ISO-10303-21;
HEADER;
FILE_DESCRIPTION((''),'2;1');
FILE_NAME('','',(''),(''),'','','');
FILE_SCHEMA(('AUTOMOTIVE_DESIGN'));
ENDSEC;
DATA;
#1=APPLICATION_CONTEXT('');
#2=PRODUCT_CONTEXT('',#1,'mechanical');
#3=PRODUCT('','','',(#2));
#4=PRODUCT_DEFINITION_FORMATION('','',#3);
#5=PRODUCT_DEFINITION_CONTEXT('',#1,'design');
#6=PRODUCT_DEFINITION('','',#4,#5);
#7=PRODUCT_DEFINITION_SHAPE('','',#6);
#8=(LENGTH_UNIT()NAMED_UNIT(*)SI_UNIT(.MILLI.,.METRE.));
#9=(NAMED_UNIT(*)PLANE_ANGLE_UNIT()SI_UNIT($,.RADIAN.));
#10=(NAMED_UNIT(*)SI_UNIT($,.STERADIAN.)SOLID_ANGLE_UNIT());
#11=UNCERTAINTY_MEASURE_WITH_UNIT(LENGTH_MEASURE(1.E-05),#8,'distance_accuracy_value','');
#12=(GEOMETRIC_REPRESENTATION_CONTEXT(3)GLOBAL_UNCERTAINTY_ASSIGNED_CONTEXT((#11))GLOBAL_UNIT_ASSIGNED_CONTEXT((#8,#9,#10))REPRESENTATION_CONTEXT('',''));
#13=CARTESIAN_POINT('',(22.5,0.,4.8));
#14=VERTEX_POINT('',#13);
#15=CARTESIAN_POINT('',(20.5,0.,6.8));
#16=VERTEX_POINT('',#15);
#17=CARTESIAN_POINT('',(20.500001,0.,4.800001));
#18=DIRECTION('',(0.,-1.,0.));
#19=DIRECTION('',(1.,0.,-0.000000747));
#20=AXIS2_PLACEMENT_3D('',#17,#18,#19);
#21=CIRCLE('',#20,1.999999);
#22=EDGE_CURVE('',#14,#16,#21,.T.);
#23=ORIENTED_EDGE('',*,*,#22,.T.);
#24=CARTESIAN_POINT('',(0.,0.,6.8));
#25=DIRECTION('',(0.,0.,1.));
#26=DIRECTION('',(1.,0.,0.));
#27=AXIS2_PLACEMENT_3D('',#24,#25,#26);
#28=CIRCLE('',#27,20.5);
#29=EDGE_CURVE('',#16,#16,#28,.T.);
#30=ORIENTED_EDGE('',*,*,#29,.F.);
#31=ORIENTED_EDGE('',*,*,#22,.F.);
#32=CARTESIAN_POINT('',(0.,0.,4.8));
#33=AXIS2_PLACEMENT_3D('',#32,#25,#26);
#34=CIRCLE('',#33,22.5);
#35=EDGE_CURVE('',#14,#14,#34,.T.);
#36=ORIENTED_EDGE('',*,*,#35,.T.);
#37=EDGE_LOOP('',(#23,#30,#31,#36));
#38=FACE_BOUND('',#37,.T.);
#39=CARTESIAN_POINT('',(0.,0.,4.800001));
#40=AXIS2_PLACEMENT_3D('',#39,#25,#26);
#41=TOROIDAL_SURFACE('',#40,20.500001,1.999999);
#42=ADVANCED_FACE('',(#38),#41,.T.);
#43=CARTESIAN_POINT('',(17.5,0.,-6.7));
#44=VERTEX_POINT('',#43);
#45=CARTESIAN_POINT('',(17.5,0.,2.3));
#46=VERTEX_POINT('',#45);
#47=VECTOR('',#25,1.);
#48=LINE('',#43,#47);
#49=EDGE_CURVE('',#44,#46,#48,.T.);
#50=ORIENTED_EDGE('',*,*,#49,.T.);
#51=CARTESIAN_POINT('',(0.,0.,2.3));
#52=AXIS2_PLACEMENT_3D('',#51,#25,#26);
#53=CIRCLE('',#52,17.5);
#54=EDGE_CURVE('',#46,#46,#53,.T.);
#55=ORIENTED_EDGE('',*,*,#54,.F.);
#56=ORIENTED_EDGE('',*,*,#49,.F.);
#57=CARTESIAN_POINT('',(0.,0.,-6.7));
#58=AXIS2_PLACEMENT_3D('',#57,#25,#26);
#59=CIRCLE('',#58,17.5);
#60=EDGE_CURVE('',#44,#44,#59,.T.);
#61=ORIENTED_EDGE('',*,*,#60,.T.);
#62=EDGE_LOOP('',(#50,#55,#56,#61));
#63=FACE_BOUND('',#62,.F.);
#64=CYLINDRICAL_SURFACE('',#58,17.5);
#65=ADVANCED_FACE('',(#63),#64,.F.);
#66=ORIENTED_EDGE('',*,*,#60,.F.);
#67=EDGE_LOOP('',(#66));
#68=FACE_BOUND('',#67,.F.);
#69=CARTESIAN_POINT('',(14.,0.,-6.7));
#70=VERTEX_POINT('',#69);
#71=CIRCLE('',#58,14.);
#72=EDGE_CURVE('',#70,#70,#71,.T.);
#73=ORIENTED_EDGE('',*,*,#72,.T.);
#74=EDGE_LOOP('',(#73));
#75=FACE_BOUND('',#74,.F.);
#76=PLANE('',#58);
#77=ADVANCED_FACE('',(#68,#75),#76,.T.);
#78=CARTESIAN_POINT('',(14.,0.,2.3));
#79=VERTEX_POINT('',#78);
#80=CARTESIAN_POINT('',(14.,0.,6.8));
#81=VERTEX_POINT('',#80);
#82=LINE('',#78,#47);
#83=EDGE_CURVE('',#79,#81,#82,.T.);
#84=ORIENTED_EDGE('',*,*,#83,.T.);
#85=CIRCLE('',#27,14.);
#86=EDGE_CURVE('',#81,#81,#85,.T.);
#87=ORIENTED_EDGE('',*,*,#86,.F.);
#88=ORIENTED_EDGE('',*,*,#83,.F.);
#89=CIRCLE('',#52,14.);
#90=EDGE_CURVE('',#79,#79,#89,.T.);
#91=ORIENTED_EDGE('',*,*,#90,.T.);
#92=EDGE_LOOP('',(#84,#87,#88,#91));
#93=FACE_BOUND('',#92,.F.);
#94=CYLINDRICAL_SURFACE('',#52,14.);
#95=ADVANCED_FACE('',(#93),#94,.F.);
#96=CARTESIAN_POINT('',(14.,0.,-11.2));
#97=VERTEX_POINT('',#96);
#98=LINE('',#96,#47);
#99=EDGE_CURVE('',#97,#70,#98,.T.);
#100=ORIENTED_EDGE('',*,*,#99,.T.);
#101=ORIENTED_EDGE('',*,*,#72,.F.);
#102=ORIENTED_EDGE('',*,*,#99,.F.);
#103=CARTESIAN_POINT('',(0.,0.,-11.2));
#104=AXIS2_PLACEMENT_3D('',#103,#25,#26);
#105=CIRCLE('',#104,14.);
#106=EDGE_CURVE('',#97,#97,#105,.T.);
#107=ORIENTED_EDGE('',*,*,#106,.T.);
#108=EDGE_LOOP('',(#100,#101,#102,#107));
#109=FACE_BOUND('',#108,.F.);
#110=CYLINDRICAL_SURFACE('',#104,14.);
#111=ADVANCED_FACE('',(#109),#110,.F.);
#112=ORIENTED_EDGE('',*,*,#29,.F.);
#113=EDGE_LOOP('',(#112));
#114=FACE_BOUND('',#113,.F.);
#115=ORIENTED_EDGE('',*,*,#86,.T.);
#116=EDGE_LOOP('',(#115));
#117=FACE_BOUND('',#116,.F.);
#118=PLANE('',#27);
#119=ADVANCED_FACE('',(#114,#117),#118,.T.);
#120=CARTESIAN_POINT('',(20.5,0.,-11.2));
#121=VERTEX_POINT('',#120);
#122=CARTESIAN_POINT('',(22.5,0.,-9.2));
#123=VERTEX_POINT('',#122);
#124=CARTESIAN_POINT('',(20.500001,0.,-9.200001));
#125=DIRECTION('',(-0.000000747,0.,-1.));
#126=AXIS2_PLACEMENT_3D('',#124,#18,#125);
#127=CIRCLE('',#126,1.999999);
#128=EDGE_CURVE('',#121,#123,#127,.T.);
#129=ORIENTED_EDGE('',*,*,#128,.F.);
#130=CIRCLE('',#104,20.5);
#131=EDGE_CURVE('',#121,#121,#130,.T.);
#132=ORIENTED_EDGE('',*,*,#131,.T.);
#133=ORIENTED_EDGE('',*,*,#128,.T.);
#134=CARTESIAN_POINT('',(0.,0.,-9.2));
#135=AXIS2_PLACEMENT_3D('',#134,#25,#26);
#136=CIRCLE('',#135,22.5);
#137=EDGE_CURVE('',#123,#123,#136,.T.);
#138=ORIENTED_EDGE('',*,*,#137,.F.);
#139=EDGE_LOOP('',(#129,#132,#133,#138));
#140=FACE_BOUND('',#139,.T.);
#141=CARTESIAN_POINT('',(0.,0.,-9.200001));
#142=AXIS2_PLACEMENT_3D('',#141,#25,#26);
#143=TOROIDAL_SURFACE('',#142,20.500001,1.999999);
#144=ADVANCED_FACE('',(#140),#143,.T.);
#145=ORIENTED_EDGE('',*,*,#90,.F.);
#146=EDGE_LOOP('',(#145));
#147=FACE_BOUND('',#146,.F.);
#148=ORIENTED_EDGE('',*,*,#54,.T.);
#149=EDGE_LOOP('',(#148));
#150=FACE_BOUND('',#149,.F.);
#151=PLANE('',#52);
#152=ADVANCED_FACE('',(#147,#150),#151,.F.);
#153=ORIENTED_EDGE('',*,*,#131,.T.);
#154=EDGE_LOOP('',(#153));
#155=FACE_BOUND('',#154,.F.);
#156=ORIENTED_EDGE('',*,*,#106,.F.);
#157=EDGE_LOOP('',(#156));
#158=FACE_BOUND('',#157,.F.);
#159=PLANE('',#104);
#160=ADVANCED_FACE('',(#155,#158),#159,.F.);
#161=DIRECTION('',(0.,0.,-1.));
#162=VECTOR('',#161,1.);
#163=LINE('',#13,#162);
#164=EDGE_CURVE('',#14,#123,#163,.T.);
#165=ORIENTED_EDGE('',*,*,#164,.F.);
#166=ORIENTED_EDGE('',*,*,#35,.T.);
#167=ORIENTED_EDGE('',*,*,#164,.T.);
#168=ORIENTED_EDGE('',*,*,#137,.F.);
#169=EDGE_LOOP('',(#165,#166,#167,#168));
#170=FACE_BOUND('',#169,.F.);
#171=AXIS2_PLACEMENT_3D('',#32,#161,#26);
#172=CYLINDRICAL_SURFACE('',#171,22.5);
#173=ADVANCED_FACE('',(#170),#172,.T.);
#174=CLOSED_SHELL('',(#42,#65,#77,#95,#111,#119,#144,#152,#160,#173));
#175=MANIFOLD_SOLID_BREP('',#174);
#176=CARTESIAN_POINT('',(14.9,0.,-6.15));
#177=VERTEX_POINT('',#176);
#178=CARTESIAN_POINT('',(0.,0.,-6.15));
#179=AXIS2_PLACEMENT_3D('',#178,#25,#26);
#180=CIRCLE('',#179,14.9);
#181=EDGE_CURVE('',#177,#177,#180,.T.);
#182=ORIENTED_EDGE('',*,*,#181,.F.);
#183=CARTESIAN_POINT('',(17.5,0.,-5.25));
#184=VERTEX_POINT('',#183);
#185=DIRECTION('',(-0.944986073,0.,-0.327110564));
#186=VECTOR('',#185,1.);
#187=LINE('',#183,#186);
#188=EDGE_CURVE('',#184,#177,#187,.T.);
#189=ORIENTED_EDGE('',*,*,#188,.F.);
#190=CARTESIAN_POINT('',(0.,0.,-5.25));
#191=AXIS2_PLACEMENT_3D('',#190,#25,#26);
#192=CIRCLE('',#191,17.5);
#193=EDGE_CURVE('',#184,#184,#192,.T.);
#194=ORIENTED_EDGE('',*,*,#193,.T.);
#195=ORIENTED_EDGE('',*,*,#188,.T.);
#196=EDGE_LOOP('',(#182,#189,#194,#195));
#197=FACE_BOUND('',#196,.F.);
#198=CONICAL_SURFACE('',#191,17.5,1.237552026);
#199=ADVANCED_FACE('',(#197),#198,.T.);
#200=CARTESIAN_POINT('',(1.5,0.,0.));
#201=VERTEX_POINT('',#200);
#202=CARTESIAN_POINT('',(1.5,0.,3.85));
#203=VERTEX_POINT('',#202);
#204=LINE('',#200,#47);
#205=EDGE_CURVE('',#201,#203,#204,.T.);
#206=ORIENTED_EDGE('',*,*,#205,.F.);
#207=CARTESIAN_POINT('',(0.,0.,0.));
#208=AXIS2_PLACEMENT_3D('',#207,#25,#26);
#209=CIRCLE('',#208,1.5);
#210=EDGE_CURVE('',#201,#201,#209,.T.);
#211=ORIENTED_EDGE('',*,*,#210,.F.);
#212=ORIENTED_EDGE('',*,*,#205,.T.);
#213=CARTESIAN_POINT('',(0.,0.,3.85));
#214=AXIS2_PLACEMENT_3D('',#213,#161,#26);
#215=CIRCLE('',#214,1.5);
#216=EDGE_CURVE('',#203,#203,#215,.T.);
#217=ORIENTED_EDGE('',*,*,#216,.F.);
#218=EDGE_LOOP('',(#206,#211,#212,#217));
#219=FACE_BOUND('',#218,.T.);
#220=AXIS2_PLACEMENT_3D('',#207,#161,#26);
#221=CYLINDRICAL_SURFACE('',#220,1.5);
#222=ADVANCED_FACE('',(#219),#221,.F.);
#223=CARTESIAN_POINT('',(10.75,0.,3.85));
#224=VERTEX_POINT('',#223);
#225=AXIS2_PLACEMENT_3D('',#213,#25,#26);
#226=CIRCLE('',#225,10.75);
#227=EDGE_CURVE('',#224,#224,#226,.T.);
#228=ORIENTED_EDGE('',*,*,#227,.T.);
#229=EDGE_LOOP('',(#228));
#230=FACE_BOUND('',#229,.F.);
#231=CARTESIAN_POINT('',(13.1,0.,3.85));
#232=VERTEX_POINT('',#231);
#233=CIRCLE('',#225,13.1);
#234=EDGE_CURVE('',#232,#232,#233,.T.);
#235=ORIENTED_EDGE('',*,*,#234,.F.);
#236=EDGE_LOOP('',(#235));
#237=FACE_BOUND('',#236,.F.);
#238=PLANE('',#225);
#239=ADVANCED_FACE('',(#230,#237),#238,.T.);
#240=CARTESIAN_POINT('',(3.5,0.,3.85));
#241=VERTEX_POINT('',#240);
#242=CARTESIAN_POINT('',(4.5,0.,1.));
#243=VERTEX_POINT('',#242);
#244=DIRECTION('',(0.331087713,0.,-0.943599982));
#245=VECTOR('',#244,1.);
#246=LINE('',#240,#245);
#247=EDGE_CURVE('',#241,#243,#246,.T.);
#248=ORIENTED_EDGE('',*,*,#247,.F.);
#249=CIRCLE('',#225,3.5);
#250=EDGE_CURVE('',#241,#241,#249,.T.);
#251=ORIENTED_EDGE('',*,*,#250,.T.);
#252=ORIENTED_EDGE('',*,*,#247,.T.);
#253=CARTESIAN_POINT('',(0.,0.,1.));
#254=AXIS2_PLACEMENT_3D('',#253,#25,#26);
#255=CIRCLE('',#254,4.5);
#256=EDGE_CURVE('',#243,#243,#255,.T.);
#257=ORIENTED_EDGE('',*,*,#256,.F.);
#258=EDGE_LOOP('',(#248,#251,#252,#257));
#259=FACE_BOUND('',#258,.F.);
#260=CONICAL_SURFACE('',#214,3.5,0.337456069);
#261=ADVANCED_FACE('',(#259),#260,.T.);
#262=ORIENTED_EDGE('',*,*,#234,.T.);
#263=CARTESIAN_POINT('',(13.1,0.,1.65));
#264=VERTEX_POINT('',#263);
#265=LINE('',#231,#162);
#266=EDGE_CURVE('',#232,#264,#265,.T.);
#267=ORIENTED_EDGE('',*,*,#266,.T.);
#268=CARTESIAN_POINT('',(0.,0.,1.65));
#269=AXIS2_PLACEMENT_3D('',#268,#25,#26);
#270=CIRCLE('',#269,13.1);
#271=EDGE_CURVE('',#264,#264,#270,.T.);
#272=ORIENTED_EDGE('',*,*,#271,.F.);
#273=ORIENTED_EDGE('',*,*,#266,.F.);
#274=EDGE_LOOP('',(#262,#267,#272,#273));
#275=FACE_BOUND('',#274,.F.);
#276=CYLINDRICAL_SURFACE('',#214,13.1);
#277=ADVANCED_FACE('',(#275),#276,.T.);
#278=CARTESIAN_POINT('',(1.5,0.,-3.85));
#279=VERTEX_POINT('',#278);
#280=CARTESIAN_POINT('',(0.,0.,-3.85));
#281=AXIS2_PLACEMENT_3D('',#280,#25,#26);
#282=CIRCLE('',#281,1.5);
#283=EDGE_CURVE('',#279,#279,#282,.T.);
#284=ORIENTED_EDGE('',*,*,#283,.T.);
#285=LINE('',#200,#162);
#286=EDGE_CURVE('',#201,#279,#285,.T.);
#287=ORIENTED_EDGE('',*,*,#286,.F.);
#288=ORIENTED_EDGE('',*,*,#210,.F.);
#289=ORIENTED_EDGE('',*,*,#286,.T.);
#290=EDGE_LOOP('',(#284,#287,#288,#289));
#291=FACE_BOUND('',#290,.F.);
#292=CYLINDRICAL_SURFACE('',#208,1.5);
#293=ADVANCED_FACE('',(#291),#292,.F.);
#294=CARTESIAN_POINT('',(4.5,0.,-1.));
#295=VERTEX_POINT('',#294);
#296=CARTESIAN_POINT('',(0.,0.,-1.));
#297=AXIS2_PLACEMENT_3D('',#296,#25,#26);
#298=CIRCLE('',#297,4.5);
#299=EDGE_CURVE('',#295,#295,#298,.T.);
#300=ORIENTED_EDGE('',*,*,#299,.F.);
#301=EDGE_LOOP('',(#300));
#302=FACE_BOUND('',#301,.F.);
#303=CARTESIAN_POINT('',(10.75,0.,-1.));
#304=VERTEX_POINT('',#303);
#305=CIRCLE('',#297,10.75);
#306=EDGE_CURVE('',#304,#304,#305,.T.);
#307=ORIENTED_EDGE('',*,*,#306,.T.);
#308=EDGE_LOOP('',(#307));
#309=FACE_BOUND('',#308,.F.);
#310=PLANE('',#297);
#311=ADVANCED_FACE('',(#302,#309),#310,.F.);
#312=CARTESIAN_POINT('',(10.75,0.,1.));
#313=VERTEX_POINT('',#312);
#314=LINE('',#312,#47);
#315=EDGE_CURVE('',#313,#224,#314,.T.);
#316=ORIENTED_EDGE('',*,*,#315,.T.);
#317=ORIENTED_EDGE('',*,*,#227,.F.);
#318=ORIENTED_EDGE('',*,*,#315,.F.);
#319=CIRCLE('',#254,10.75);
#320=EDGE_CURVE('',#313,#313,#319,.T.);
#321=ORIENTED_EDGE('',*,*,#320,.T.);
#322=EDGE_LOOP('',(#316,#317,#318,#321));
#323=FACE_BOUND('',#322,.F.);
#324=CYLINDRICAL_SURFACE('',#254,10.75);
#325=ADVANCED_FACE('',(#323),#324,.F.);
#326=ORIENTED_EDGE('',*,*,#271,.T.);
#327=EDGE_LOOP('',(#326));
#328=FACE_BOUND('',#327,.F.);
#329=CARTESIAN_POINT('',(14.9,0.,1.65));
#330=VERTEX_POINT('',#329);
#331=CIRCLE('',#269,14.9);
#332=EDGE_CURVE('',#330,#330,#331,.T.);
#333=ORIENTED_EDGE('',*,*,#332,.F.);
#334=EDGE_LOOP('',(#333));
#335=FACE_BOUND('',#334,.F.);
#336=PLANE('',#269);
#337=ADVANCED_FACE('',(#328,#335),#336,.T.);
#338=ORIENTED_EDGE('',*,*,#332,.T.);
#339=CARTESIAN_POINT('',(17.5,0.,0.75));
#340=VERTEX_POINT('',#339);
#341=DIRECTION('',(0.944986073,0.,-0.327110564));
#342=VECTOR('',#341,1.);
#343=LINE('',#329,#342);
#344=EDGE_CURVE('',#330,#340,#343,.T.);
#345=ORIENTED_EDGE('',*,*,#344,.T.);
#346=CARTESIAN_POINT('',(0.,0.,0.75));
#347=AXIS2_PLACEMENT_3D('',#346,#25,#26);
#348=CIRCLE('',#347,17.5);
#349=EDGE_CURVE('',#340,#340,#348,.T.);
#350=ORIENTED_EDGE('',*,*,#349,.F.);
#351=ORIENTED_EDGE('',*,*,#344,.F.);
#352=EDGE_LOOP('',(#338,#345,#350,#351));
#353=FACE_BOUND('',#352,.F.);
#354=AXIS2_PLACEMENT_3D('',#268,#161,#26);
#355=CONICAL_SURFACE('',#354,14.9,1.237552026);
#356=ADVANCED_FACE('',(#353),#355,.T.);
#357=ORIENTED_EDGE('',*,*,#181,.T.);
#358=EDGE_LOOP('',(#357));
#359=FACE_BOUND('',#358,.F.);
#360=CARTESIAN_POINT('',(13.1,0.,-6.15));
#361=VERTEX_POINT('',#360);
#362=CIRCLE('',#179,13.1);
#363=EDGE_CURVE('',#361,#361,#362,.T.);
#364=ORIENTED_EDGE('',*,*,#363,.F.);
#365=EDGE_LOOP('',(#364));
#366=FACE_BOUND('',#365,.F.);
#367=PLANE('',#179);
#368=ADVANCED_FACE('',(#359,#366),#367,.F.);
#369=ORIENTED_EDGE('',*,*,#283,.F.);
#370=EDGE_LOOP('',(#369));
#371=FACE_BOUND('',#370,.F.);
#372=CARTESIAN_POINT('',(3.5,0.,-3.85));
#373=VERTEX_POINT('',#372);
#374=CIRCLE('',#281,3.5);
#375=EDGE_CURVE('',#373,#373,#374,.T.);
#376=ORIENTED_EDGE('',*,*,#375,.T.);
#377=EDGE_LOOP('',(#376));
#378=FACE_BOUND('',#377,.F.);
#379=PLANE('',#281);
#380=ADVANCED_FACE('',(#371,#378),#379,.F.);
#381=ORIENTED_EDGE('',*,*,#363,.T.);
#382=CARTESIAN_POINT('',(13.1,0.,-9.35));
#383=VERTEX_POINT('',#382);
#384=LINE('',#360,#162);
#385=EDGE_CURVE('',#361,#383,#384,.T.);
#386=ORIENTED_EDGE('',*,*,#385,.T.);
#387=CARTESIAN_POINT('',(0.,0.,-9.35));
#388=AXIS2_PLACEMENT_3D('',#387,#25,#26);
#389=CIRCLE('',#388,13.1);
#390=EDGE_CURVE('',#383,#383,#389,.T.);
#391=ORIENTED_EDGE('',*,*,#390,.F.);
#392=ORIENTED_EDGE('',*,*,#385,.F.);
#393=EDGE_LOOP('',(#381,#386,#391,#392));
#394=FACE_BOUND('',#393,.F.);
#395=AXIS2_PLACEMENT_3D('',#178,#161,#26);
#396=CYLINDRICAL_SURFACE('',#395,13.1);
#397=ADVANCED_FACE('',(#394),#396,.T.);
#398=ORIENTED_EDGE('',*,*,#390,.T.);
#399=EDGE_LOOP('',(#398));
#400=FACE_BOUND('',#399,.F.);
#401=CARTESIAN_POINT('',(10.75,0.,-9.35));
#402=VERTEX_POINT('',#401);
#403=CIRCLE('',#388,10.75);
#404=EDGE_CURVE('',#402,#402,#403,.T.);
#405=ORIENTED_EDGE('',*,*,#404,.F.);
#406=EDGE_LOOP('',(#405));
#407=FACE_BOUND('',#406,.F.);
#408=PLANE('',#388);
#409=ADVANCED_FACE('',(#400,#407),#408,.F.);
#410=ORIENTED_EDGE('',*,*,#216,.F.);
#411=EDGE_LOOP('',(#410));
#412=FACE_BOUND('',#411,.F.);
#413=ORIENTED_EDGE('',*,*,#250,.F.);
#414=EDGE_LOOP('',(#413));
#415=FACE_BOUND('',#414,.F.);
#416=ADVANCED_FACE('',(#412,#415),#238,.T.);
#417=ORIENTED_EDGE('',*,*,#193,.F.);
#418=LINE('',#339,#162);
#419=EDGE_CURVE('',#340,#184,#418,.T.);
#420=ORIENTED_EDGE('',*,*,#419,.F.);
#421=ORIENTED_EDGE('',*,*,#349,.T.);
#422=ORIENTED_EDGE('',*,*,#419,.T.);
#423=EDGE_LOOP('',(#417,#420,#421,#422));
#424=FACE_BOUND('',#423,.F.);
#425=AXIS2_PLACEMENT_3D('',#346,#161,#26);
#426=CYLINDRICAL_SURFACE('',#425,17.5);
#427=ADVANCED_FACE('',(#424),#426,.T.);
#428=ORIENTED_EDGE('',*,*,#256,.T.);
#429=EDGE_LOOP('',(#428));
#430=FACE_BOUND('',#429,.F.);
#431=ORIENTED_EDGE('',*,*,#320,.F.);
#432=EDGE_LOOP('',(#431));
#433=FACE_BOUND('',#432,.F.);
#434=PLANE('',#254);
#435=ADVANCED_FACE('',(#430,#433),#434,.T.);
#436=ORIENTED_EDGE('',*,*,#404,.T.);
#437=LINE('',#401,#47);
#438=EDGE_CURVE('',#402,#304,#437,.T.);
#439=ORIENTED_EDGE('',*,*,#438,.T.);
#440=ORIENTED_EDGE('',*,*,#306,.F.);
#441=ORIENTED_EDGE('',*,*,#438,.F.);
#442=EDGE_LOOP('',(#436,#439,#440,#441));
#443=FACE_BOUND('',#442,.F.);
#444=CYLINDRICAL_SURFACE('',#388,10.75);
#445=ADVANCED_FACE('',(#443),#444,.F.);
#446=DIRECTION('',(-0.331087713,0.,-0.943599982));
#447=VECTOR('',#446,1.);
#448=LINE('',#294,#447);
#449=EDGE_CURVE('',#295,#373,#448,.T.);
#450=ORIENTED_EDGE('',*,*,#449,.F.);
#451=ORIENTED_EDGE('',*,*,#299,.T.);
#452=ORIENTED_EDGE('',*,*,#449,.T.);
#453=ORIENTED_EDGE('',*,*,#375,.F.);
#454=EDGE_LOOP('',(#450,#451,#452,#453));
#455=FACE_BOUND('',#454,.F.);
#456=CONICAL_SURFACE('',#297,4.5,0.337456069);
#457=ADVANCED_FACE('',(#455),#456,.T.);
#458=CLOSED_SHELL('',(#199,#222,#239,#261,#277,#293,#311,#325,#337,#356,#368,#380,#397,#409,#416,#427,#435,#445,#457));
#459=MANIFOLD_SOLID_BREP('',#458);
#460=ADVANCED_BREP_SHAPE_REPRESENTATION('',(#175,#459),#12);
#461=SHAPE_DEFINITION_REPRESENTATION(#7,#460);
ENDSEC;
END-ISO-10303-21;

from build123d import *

# Parameters (mm, degrees)
SKETCH001_R       = 1.5
POCKET_DEPTH      = 9.351
POCKET_DEPTH_BACK = -3.851


with BuildPart() as hub:
    # Sketch → Revolution (revolve)
    with BuildSketch(Plane.XZ):
        Polygon((0, -3.85), (0, 3.85), (3.5, 3.85), (4.5, 1), (10.75, 1), (10.75, 3.85), (13.1, 3.85), (13.1, 1.65), (14.9, 1.65), (17.5, 0.75), (17.5, -5.25), (14.9, -6.15), (13.1, -6.15), (13.1, -9.35), (10.75, -9.35), (10.75, -1), (4.5, -1), (3.5, -3.85), align=None)
    revolve(axis=Axis((0, 0, 0), (0, 0, 1)))

    # Sketch001 → Pocket (cut, two sides)
    with BuildSketch(Plane.XY) as pocket_sk:
        Circle(SKETCH001_R)
    extrude(amount=-POCKET_DEPTH, mode=Mode.SUBTRACT)
    extrude(pocket_sk.sketch, amount=-POCKET_DEPTH_BACK, mode=Mode.SUBTRACT)


with BuildPart() as tire:
    # Sketch002 → Revolution001 (revolve)
    with BuildSketch(Plane.XZ):
        with BuildLine():
            Line((14, 6.8), (20.5, 6.8))
            ThreePointArc((22.5, 4.8), (21.914214, 6.214214), (20.5, 6.8))
            Line((22.5, 4.8), (22.5, -9.2))
            ThreePointArc((20.5, -11.2), (21.914214, -10.614214), (22.5, -9.2))
            Line((20.5, -11.2), (14, -11.2))
            Line((14, -11.2), (14, -6.7))
            Line((14, -6.7), (17.5, -6.7))
            Line((17.5, -6.7), (17.5, 2.3))
            Line((17.5, 2.3), (14, 2.3))
            Line((14, 2.3), (14, 6.8))
        make_face()
    revolve(axis=Axis((0, 0, 0), (0, 0, 1)))


solid = Compound([hub.part, tire.part])
